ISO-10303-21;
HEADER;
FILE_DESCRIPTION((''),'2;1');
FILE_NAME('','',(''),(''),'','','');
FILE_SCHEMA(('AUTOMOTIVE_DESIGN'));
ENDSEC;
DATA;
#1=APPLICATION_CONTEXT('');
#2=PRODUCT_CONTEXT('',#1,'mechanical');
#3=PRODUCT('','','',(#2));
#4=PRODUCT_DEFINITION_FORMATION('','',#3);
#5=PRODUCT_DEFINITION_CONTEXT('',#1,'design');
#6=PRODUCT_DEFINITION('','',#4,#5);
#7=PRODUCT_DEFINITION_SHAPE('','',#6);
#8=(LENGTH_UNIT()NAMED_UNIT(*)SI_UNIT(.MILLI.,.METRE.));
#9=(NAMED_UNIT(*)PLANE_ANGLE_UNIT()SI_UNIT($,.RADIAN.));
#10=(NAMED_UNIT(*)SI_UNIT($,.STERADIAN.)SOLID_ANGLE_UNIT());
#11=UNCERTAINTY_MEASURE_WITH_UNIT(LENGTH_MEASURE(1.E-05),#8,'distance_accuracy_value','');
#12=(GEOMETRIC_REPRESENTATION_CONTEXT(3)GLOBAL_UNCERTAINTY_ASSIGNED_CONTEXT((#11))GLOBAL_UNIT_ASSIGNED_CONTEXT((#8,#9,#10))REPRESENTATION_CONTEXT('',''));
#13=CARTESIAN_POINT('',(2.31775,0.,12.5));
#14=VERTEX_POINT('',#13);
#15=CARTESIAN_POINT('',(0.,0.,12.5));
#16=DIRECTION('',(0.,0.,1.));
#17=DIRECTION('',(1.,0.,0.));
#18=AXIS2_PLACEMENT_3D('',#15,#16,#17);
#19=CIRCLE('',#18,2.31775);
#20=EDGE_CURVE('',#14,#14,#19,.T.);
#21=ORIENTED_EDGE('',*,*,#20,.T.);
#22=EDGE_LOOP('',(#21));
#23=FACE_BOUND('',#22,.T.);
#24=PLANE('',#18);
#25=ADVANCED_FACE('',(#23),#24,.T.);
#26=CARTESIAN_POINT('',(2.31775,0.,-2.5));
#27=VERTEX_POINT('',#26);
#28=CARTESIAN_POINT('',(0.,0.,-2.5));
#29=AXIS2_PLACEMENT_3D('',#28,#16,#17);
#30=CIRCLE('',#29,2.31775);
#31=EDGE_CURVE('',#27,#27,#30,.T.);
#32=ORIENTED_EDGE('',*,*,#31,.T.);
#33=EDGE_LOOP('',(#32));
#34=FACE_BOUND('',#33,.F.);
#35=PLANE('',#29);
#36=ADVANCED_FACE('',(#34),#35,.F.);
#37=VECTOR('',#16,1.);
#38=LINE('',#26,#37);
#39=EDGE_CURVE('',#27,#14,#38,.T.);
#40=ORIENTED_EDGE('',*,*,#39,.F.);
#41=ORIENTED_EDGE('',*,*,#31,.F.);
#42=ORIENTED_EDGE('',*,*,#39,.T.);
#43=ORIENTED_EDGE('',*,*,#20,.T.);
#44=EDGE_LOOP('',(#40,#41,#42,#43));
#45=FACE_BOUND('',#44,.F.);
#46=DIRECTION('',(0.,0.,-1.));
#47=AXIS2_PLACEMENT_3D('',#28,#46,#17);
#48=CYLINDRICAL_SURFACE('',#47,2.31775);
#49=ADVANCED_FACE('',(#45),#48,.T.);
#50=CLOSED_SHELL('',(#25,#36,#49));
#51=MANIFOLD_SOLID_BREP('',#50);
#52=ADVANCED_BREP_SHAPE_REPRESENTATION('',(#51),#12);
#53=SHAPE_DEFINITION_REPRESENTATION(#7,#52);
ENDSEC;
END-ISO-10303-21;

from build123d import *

# Parameters (mm, degrees)
CYLINDER_R     = 2.31775
CYLINDER_DEPTH = 15


with BuildPart() as part:
    # Cylinder → Cylinder (new body)
    with BuildSketch(Plane.XY.offset(-2.5)):
        Circle(CYLINDER_R)
    extrude(amount=CYLINDER_DEPTH)


solid = part.part
